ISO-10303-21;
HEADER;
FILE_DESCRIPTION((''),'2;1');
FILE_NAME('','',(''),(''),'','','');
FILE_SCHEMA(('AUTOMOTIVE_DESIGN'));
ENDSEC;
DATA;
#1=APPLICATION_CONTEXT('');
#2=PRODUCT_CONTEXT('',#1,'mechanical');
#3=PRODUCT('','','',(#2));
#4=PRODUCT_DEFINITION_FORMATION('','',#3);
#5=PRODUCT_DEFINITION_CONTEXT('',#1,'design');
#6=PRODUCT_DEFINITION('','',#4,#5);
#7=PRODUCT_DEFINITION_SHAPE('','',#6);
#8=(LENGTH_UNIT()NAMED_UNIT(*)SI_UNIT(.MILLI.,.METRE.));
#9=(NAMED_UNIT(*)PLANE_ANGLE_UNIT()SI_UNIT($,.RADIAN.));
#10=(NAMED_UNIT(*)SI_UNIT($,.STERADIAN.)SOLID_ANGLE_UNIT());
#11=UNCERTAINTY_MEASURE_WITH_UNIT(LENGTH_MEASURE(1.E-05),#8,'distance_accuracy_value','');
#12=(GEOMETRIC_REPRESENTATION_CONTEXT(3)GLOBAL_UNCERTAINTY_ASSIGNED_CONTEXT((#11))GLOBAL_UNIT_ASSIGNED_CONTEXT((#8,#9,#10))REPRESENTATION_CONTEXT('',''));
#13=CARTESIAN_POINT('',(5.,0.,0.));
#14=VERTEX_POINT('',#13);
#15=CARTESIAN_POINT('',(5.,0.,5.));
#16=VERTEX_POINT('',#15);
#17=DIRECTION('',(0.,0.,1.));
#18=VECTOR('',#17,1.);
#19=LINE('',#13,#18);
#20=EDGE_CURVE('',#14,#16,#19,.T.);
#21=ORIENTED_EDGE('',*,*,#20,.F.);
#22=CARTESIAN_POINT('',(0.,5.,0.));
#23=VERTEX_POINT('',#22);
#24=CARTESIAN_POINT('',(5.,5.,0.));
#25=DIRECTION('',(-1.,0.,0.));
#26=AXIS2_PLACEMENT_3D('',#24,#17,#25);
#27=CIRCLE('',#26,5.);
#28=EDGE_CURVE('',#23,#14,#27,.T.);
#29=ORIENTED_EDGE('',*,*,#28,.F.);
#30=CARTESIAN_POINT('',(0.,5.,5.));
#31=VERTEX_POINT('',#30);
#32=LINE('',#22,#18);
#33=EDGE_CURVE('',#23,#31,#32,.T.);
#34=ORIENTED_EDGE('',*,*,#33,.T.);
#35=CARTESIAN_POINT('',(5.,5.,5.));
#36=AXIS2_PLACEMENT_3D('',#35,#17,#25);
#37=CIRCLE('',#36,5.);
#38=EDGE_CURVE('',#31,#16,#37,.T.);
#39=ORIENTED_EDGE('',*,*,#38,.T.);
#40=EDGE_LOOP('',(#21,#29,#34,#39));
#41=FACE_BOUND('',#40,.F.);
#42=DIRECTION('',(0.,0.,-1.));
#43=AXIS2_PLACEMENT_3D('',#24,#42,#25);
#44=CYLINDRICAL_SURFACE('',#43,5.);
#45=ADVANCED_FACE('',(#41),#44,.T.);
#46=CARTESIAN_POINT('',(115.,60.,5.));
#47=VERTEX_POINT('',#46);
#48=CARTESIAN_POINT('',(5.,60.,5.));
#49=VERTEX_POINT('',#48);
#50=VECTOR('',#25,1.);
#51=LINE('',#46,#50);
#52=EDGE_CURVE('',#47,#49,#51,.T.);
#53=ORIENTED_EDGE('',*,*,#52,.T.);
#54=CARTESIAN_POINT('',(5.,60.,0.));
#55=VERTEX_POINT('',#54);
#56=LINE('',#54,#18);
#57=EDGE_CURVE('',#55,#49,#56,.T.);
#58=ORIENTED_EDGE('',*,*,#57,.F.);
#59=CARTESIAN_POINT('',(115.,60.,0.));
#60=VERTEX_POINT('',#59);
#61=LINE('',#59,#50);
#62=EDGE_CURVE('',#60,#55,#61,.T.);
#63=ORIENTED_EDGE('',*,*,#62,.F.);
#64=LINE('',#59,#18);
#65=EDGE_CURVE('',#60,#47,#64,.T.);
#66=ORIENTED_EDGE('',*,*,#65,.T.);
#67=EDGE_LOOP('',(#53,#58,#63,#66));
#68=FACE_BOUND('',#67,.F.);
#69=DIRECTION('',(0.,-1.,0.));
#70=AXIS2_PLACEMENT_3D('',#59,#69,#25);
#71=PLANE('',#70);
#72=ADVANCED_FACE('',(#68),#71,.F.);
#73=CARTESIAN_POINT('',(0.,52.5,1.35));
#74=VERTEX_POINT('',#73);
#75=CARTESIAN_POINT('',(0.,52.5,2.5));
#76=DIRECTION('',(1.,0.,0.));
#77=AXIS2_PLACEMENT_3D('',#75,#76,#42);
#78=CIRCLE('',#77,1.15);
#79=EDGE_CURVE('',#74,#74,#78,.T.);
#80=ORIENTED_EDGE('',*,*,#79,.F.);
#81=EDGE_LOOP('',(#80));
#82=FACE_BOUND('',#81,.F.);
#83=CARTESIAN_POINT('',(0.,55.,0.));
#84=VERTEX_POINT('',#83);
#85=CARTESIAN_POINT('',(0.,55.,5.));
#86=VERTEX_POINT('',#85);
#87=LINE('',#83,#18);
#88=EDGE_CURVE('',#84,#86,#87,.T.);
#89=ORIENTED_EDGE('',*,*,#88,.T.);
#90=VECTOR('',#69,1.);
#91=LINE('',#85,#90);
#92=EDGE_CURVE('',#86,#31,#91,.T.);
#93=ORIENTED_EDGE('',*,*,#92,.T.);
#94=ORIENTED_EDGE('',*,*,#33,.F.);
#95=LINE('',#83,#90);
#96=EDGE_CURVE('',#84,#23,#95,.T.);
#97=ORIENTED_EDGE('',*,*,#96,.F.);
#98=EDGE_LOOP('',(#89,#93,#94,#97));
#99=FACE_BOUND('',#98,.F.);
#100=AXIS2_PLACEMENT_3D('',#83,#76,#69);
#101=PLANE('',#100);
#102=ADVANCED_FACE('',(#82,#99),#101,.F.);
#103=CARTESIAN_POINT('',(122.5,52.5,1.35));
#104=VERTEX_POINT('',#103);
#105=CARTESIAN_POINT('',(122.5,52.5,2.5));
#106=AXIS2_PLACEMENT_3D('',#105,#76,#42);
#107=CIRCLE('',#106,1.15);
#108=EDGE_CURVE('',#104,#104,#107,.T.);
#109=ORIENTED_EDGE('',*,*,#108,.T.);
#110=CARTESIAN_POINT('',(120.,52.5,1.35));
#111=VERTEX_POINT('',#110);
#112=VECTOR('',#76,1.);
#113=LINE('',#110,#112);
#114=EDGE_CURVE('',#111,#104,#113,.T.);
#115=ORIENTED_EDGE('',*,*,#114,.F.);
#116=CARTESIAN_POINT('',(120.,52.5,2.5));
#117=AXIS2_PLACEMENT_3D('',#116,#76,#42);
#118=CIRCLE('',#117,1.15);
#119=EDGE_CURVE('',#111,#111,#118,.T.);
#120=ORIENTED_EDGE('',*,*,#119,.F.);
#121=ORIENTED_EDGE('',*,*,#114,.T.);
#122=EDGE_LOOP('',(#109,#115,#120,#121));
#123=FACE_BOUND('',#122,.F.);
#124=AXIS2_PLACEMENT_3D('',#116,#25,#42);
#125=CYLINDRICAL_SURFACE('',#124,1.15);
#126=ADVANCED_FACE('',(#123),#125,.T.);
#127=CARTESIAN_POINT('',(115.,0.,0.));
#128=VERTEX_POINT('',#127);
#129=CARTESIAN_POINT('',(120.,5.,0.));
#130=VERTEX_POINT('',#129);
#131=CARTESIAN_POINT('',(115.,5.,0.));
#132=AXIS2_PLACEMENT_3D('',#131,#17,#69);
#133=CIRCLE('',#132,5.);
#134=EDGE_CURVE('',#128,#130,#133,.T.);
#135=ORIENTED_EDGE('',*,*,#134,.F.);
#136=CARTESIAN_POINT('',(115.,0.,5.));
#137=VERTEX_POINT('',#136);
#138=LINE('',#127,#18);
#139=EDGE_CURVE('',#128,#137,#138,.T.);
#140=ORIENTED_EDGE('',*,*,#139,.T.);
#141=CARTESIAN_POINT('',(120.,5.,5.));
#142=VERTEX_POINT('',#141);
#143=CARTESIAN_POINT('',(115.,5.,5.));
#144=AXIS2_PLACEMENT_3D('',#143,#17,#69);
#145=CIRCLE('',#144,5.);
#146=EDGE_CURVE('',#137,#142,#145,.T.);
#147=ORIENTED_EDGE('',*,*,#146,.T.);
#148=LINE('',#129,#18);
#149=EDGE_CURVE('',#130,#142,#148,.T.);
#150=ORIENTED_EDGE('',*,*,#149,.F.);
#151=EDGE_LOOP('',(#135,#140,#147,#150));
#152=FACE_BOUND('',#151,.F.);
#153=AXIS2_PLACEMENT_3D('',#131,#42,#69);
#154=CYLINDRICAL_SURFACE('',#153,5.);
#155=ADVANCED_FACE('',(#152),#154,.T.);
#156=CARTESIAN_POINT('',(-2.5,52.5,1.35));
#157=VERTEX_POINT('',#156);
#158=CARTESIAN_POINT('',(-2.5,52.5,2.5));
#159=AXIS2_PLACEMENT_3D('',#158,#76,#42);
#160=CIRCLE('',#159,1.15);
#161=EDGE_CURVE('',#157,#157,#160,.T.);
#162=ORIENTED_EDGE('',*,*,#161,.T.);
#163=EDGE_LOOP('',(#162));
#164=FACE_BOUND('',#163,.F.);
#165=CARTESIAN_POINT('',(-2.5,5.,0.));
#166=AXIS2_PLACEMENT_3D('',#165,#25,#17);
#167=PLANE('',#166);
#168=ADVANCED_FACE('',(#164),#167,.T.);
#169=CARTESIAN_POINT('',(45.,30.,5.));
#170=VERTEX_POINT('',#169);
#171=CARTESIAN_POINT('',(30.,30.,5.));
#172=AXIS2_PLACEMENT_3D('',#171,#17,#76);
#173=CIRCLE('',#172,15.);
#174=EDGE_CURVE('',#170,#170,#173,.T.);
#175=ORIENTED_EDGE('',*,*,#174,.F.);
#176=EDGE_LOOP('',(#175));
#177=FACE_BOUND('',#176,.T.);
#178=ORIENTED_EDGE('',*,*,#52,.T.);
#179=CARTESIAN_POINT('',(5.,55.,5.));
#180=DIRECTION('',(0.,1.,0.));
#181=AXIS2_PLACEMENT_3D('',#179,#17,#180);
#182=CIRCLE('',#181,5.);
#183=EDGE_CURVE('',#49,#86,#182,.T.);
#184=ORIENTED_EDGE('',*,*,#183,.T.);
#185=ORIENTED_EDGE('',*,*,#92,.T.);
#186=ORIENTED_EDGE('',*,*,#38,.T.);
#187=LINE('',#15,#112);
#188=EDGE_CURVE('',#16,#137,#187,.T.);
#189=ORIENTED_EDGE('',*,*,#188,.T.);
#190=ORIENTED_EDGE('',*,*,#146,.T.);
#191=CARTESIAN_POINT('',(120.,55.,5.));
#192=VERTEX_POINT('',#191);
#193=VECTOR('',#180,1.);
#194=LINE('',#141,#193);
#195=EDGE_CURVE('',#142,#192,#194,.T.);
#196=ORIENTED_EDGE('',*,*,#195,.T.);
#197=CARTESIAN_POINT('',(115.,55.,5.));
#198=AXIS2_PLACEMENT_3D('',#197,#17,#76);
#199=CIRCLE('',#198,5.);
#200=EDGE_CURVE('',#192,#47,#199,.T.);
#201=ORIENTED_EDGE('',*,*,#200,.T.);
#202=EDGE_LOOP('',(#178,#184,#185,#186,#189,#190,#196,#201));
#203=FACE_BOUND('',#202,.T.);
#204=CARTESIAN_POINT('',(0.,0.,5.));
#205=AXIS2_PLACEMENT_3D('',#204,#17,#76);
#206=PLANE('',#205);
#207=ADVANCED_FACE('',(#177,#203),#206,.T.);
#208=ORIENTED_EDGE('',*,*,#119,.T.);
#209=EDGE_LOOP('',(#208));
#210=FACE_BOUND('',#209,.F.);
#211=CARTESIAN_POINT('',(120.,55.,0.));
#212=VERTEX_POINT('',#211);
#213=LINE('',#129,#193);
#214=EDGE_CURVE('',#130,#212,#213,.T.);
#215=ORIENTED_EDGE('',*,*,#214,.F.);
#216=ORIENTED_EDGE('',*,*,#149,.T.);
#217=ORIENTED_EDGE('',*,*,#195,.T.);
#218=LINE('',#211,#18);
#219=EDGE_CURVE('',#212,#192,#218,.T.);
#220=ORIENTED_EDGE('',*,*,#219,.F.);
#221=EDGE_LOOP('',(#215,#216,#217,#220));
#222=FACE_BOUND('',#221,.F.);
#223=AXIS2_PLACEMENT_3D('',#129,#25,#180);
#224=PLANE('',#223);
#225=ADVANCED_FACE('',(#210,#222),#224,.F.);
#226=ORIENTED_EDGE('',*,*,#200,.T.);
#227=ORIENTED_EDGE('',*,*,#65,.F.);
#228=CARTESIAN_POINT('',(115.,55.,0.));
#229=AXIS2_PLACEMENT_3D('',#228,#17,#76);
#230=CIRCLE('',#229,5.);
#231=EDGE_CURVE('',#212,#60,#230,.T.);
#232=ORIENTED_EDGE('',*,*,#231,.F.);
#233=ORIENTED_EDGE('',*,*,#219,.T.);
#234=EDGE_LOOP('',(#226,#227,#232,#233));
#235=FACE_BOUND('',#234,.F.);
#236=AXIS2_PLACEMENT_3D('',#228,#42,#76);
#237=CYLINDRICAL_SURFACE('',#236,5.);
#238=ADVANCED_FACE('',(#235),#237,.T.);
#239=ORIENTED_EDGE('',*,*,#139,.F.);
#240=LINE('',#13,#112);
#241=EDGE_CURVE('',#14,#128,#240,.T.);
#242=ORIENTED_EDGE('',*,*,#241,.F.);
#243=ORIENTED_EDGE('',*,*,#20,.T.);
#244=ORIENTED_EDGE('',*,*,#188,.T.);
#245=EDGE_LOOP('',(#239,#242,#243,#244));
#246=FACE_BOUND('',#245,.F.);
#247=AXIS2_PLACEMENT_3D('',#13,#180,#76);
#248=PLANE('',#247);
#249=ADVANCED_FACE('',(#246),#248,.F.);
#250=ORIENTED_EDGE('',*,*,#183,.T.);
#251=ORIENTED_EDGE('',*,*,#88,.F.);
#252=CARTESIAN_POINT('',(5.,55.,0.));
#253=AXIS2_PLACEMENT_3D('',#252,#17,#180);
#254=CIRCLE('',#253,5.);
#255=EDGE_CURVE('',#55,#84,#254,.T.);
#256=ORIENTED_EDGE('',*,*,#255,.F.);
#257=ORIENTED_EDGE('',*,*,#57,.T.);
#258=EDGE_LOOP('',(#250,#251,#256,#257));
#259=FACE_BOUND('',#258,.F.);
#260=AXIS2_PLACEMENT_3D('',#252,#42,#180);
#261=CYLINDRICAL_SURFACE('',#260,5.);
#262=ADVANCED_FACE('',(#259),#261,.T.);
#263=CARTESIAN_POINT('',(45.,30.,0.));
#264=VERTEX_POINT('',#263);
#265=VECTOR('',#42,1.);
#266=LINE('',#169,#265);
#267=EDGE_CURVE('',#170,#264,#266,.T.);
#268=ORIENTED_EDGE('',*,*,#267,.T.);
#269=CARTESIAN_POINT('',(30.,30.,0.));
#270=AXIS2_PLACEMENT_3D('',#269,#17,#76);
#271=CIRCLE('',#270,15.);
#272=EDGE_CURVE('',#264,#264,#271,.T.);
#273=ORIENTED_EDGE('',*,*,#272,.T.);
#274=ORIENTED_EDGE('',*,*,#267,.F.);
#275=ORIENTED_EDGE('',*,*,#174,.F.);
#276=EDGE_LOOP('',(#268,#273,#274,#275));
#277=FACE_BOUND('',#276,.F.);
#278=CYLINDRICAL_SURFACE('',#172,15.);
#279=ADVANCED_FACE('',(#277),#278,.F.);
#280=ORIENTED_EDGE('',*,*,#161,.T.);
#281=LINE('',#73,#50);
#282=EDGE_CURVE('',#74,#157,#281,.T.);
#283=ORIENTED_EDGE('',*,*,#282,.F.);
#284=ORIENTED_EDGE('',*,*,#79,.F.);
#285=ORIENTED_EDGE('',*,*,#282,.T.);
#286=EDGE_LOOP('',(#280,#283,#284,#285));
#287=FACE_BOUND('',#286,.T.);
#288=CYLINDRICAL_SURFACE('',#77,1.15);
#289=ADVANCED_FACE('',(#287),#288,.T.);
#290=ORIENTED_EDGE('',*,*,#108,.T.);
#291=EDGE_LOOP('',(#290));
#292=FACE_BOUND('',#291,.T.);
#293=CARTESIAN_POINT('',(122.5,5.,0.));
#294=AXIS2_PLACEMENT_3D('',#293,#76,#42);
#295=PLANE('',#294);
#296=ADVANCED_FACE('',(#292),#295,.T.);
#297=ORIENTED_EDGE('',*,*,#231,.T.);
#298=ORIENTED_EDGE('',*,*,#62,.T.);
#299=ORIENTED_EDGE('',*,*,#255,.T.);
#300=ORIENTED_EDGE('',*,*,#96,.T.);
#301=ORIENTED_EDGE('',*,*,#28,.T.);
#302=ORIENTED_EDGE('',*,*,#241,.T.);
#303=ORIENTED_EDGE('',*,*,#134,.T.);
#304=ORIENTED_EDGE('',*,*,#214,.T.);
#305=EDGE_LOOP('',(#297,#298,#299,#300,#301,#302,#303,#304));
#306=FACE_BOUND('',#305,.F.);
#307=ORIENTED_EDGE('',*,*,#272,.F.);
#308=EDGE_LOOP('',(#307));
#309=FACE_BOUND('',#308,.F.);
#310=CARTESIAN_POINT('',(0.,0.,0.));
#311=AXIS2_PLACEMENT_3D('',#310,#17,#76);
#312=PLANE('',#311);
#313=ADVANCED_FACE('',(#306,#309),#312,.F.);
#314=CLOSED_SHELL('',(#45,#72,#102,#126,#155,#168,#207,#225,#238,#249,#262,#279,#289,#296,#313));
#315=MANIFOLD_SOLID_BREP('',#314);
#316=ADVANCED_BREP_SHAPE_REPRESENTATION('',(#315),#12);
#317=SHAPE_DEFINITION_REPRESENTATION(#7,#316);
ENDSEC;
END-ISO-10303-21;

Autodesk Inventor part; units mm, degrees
ref_plane "YZ Plane" through (0, 0, 0) normal (1, 0, 0) x (0, 1, 0)
ref_plane "XZ Plane" through (0, 0, 0) normal (0, 1, 0) x (-1, 0, 0)
sketch "Boceto1" plane through (0, 0, 0) normal (0, 0, 1) x (1, 0, 0)
  line L0 (5, 0) -> (115, 0)
  line L1 (120, 5) -> (120, 55)
  line L2 (115, 60) -> (5, 60)
  line L3 (0, 55) -> (0, 5)
  arc A0 (5, 60) -> (0, 55) centre (5, 55) ccw
  arc A1 (120, 55) -> (115, 60) centre (115, 55) ccw
  arc A2 (115, 0) -> (120, 5) centre (115, 5) ccw
  arc A3 (0, 5) -> (5, 0) centre (5, 5) ccw
  point P0 (0, 0)
  point P1 (120, 60)
  point P2 (120, 0)
  point P3 (0, 60)
  dimension "d0" = 120
  dimension "d1" = 60
  dimension "d2" = 5
extrude "Extrusión1" add sketch "Boceto1" along normal blind 5
sketch "Boceto2" plane through (120, 5, 0) normal (1, 0, 0) x (0, 0, -1)
  point P0 (0, -5)
sketch "Boceto3" plane through (120, 5, 0) normal (1, 0, 0) x (0, 0, -1)
  circle A0 centre (-2.5, 47.5) radius 1.15
  line L0 (-5, 0) -> (-5, 50) projected
  line L1 (0, 50) -> (-5, 50) projected
  point P0 (0, -5)
  dimension "d5" = 2.3
  dimension "d6" = 2.5
  dimension "d7" = 2.5
extrude "Extrusión2" add sketch "Boceto3" along normal blind 2.5
ref_plane "Plano de trabajo1" through (60, 5, 0) normal (1, 0, 0) x (0, 0, -1)
mirror "Simetría1" about plane through (60, 5, 0) normal (1, 0, 0) of "Extrusión2"
sketch "Boceto4" plane through (0, 0, 5) normal (0, 0, 1) x (1, 0, 0)
  circle A0 centre (30, 30) radius 15
  line L0 (0, 55) -> (0, 5) projected
  point P0 (0, 0)
  point P1 (0, 30)
  dimension "d10" = 30
  dimension "d11" = 30
extrude "Extrusión3" cut sketch "Boceto4" against normal through all
properties part number "Puerta" material "Plástico ABS"
